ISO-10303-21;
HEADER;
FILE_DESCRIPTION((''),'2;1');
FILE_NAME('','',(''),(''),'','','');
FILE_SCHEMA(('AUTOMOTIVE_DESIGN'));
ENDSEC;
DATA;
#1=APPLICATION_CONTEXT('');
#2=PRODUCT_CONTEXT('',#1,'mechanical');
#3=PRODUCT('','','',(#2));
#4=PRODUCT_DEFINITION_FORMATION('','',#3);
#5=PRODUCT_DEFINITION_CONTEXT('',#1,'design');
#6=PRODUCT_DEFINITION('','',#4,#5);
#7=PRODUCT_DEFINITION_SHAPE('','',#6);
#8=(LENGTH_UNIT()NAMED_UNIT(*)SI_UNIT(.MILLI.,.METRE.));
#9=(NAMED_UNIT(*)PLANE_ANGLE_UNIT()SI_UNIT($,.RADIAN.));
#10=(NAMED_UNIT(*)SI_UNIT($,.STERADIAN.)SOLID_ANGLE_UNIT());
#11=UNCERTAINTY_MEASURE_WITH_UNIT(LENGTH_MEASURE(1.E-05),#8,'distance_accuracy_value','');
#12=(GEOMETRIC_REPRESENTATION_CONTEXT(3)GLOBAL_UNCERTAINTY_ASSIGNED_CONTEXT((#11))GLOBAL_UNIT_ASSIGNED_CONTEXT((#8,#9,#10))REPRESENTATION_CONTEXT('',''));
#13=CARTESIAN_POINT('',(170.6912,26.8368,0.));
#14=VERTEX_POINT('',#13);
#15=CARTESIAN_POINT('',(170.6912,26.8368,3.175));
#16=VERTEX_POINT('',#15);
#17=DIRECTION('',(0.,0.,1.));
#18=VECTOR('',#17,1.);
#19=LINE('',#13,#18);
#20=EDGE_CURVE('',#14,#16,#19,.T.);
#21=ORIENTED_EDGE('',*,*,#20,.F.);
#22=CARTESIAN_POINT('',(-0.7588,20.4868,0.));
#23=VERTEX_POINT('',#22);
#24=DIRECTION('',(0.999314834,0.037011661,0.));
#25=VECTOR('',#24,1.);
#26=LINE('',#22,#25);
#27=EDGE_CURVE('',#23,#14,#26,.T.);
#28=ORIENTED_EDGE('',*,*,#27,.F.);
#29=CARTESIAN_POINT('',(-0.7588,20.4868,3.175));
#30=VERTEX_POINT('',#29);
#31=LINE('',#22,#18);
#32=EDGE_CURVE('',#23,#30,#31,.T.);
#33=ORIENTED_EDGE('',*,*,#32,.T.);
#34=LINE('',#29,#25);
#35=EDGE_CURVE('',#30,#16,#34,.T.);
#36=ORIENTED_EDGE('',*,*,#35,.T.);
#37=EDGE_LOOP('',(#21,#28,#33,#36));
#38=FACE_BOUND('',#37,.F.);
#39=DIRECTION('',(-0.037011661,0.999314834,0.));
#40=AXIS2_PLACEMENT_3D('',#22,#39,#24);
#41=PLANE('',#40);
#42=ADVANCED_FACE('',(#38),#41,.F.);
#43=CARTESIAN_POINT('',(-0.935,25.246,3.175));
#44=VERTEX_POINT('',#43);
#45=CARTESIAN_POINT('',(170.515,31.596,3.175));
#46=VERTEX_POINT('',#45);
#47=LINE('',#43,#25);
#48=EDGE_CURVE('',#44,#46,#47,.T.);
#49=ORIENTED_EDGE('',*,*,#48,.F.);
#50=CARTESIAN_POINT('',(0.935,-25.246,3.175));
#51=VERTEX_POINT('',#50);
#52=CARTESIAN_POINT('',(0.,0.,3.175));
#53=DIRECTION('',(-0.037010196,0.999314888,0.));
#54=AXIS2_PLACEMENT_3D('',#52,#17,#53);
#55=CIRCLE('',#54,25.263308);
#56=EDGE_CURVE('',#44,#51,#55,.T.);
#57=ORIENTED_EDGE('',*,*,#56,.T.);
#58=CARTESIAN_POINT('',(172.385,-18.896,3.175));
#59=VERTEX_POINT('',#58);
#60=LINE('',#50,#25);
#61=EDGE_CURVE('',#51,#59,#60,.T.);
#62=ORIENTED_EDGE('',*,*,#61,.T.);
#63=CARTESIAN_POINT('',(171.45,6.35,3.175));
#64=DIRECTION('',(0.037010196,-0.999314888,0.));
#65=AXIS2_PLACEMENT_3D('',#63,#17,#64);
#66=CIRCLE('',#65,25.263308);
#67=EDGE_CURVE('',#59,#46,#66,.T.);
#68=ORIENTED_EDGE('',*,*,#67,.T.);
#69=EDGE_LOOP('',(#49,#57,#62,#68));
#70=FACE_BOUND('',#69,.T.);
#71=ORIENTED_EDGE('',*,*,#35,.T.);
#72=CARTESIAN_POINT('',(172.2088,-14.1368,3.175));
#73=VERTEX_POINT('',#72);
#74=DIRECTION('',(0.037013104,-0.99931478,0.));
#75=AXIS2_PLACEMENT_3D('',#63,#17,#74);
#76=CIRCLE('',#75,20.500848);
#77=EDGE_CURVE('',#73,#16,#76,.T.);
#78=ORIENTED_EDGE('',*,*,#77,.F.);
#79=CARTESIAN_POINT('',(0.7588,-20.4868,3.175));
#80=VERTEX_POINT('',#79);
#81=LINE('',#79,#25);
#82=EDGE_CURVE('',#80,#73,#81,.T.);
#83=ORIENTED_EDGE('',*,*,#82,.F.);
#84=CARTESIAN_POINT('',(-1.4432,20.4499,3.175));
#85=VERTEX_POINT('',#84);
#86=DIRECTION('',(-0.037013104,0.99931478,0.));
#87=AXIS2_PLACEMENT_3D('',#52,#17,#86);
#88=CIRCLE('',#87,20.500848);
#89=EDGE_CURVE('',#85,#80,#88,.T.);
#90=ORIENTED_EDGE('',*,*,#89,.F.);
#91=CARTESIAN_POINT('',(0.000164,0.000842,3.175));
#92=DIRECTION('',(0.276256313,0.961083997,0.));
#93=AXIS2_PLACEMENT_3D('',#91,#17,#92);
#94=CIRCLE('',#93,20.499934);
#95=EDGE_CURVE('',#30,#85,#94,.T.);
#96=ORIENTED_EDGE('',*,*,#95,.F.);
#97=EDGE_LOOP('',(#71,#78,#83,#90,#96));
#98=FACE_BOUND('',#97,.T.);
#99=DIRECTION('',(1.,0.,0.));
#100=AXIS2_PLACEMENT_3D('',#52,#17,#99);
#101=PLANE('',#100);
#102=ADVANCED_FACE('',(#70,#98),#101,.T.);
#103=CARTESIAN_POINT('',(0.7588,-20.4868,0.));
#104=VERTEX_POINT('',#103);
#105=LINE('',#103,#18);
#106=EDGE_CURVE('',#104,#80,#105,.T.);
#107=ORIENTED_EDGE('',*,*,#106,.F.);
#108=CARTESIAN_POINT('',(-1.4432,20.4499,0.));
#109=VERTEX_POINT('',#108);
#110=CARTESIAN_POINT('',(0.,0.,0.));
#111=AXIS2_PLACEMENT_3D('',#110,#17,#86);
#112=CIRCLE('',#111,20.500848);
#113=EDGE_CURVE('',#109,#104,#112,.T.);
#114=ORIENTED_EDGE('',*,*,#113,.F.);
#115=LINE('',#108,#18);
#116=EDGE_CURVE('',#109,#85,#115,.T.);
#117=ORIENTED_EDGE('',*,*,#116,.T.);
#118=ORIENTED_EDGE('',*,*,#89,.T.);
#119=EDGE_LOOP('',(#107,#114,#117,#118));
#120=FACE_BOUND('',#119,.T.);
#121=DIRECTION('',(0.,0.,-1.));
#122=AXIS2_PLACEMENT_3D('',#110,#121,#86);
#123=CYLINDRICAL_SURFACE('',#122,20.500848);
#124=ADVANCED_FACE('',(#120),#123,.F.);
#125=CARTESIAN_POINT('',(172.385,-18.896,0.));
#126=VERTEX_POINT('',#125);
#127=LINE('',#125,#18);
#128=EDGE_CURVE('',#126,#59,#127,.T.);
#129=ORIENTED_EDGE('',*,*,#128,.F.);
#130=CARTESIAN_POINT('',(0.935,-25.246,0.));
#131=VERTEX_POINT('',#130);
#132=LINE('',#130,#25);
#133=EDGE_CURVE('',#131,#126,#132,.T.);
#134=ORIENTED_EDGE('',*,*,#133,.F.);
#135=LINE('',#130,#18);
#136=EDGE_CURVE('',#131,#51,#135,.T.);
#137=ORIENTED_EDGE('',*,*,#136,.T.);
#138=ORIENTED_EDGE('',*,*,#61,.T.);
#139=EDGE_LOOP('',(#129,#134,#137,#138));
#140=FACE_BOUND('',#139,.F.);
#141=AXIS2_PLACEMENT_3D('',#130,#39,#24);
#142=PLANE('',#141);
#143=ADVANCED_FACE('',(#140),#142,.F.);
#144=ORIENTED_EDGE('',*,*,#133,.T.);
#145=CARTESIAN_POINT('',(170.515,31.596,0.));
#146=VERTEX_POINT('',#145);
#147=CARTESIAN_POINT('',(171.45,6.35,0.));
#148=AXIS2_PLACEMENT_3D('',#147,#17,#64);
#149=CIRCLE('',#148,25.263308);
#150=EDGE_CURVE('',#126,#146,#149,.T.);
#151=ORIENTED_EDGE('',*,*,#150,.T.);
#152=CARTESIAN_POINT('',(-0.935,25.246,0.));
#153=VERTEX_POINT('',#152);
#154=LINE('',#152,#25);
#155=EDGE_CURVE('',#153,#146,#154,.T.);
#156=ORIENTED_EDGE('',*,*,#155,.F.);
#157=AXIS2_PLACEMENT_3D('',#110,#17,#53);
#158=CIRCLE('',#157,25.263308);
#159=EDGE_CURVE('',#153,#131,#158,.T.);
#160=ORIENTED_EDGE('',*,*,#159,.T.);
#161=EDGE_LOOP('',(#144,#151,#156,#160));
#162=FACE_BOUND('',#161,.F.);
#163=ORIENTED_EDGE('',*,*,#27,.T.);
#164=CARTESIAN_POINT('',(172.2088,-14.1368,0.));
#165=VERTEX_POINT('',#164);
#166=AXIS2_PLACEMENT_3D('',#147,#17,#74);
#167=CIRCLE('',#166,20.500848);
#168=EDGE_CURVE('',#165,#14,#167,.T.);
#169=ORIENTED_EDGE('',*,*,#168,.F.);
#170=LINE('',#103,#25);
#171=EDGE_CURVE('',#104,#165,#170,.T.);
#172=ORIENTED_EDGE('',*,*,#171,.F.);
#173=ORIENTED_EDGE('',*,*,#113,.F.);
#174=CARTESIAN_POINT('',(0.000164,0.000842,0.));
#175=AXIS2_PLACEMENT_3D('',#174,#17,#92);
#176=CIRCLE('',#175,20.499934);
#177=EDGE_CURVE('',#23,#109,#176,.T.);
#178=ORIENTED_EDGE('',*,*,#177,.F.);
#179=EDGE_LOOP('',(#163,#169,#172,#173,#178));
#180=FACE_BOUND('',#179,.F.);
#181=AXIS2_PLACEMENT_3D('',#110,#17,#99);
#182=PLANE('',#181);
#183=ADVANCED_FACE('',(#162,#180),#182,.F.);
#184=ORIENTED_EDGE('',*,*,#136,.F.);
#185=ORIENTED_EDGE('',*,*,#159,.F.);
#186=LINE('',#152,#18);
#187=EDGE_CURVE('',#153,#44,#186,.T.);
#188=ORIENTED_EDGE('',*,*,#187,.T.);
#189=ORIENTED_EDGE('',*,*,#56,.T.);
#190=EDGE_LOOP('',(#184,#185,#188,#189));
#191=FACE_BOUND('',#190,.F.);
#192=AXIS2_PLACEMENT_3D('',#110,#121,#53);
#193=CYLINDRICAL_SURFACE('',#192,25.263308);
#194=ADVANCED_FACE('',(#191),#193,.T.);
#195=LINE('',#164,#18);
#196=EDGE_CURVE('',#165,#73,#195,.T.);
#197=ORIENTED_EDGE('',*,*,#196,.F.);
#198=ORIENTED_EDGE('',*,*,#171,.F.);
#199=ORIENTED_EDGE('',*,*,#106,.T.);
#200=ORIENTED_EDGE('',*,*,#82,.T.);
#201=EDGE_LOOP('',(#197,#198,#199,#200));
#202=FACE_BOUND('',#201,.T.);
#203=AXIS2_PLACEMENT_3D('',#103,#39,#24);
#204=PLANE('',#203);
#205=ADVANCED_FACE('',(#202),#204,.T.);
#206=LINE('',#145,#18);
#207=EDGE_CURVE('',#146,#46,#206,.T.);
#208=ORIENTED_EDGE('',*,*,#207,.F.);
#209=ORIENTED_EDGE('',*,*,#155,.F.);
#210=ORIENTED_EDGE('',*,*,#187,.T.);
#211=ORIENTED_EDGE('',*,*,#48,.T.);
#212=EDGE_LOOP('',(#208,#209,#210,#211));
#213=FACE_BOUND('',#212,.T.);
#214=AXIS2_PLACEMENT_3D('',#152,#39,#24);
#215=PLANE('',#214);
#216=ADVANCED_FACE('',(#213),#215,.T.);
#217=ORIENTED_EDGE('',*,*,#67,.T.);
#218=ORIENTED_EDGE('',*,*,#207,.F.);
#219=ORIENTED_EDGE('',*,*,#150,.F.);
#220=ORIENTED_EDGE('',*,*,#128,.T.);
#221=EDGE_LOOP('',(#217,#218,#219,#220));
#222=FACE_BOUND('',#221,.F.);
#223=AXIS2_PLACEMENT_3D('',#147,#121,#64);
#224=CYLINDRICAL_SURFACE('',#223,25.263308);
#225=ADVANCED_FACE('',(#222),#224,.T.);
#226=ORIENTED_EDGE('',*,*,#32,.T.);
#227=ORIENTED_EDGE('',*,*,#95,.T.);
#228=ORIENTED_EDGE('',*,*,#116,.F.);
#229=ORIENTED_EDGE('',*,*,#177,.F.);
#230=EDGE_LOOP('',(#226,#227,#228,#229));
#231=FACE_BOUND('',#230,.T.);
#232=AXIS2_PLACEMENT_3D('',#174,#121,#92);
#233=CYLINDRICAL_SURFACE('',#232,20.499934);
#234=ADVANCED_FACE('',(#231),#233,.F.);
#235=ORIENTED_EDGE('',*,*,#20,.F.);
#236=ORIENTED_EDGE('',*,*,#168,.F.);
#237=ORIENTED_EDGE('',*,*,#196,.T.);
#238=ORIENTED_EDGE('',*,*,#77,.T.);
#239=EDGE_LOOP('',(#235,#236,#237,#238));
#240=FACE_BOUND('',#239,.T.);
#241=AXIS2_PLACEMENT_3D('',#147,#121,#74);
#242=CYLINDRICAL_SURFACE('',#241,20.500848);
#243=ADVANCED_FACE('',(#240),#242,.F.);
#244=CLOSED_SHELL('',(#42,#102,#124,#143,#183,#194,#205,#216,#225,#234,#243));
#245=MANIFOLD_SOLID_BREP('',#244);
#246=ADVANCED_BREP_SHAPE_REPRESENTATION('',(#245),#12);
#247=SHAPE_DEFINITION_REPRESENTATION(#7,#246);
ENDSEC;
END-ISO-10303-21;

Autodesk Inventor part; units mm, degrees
ref_plane "YZ Plane" through (0, 0, 0) normal (1, 0, 0) x (0, 1, 0)
ref_plane "XZ Plane" through (0, 0, 0) normal (0, 1, 0) x (-1, 0, 0)
ref_plane "XY Plane" through (0, 0, 0) normal (0, 0, 1) x (1, 0, 0)
sketch "Sketch1" plane through (0, 0, 0) normal (0, 0, 1) x (1, 0, 0)
  arc A0 (3.487, 25.0215) -> (1.7914, 25.1997) centre (0, 0) ccw
  arc A1 (5.6634, 19.703) -> (-1.4432, 20.4499) centre (0, 0) ccw
  arc A2 (164.4584, 30.6266) -> (162.8369, 30.0997) centre (171.45, 6.35) ccw
  arc A3 (168.6099, 26.6531) -> (161.8138, 24.4449) centre (171.45, 6.35) ccw
  arc A4 (172.385, -18.896) -> (170.515, 31.596) centre (171.45, 6.35) ccw
  arc A5 (172.2088, -14.1368) -> (170.6912, 26.8368) centre (171.45, 6.35) ccw
  arc A6 (-0.935, 25.246) -> (0.935, -25.246) centre (0, 0) ccw
  arc A7 (-0.7588, 20.4868) -> (0.7588, -20.4868) centre (0, 0) ccw
  line L0 (-0.935, 25.246) -> (170.515, 31.596)
  line L1 (0.935, -25.246) -> (172.385, -18.896)
  line L2 (-0.7588, 20.4868) -> (170.6912, 26.8368)
  line L3 (0.7588, -20.4868) -> (172.2088, -14.1368)
  point P0 (0, 0)
extrude "Extrusion1" add sketch "Sketch1" along normal blind 3.175
properties part number "Chain"
